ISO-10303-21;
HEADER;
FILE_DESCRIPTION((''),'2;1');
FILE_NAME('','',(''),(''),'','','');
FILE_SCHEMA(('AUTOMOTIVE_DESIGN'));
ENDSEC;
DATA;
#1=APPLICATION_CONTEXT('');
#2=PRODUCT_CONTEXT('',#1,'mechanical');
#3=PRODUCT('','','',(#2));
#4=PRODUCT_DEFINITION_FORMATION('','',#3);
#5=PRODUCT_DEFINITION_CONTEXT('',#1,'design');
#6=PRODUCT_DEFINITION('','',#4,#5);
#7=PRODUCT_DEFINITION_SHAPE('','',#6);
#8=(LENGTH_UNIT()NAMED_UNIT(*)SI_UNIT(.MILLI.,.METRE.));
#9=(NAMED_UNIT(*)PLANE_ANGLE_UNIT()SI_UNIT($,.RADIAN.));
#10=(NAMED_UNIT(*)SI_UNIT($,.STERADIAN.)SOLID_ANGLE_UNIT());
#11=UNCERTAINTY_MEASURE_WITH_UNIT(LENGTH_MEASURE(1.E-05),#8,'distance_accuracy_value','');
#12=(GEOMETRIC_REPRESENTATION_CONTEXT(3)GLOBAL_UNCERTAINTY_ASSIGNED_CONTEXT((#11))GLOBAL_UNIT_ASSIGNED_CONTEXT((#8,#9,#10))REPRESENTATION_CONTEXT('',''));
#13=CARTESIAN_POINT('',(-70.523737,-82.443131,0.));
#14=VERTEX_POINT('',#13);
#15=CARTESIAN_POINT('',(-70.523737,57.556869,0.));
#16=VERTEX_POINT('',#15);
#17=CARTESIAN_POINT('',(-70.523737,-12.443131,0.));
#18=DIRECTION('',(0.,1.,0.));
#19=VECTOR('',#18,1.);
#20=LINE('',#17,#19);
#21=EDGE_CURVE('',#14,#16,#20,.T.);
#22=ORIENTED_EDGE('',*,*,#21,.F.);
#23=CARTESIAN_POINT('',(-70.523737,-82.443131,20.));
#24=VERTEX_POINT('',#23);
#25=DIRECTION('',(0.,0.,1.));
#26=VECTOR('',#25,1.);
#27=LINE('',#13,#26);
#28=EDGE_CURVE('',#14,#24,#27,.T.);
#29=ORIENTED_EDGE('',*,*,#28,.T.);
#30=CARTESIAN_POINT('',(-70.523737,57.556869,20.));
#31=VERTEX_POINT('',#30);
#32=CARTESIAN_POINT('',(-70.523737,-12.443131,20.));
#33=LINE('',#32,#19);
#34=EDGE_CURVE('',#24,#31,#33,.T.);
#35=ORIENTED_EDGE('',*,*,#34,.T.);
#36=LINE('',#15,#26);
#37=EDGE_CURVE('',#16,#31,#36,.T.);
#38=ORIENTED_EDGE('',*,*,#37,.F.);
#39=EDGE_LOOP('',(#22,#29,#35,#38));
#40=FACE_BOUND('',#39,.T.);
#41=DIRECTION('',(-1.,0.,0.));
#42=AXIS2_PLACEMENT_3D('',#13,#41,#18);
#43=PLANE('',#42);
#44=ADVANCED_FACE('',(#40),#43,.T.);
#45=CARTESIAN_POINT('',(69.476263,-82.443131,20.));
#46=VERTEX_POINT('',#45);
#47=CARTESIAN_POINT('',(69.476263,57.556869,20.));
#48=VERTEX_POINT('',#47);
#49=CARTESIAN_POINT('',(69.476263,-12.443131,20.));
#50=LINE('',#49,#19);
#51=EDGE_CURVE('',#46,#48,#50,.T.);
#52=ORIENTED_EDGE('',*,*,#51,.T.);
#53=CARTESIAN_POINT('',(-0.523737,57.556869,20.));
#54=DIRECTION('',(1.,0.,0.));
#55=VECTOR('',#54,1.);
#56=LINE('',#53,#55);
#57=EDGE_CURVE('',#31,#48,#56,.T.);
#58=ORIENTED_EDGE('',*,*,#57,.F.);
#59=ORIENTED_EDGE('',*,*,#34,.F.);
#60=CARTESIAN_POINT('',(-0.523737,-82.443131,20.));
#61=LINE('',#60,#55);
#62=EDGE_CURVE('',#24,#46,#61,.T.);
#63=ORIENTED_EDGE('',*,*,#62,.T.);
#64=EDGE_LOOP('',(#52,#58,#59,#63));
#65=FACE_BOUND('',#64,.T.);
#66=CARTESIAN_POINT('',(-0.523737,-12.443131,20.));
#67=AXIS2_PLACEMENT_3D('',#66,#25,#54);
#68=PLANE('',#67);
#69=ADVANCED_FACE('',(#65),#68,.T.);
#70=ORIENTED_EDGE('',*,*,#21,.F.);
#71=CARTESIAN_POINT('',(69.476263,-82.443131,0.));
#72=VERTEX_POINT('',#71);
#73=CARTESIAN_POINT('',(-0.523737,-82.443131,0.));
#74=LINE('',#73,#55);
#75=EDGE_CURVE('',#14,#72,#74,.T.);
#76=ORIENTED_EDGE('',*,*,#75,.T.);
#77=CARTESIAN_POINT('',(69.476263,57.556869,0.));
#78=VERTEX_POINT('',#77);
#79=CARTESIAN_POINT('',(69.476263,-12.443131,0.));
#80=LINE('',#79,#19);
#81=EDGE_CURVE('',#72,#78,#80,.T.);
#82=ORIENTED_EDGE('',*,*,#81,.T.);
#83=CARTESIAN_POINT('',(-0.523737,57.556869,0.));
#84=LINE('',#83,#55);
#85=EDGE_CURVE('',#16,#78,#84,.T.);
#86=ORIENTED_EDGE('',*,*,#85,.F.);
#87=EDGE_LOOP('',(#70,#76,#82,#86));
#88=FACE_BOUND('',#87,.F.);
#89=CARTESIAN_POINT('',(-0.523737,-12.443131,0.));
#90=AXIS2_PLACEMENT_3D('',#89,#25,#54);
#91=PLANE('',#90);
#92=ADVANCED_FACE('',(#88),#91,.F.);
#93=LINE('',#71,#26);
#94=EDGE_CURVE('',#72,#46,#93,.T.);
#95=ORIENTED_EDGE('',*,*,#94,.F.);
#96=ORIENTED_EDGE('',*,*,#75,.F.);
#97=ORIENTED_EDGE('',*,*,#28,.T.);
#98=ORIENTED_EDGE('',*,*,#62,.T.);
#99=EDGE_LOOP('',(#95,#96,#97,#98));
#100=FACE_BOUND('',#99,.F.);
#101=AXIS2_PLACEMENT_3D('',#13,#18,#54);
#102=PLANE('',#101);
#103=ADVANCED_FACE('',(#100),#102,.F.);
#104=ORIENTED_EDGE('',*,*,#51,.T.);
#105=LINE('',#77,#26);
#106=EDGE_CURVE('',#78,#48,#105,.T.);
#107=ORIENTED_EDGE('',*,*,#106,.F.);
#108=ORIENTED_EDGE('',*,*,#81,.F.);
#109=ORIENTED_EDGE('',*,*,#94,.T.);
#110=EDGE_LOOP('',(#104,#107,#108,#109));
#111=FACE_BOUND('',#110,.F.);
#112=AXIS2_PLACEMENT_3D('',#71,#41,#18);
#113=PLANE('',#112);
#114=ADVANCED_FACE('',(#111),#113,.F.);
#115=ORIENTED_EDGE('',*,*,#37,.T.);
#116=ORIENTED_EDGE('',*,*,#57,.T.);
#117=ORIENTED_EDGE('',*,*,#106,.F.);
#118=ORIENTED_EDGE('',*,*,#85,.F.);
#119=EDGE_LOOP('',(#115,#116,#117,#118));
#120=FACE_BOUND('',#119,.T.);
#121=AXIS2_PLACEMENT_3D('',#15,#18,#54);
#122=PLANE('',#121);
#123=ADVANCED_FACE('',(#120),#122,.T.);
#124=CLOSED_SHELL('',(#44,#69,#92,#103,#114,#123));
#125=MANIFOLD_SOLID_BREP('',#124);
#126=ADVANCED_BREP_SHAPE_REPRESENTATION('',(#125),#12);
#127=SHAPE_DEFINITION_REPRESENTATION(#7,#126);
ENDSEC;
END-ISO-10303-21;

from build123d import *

# Parameters (mm, degrees)
SKETCH_W  = 140
SKETCH_H  = 140
PAD_DEPTH = 20


with BuildPart() as part:
    # Sketch → Pad (new body)
    with BuildSketch(Plane.XY):
        with Locations((-0.523737, -12.443131)):
            Rectangle(SKETCH_W, SKETCH_H)
    extrude(amount=PAD_DEPTH)


solid = part.part
